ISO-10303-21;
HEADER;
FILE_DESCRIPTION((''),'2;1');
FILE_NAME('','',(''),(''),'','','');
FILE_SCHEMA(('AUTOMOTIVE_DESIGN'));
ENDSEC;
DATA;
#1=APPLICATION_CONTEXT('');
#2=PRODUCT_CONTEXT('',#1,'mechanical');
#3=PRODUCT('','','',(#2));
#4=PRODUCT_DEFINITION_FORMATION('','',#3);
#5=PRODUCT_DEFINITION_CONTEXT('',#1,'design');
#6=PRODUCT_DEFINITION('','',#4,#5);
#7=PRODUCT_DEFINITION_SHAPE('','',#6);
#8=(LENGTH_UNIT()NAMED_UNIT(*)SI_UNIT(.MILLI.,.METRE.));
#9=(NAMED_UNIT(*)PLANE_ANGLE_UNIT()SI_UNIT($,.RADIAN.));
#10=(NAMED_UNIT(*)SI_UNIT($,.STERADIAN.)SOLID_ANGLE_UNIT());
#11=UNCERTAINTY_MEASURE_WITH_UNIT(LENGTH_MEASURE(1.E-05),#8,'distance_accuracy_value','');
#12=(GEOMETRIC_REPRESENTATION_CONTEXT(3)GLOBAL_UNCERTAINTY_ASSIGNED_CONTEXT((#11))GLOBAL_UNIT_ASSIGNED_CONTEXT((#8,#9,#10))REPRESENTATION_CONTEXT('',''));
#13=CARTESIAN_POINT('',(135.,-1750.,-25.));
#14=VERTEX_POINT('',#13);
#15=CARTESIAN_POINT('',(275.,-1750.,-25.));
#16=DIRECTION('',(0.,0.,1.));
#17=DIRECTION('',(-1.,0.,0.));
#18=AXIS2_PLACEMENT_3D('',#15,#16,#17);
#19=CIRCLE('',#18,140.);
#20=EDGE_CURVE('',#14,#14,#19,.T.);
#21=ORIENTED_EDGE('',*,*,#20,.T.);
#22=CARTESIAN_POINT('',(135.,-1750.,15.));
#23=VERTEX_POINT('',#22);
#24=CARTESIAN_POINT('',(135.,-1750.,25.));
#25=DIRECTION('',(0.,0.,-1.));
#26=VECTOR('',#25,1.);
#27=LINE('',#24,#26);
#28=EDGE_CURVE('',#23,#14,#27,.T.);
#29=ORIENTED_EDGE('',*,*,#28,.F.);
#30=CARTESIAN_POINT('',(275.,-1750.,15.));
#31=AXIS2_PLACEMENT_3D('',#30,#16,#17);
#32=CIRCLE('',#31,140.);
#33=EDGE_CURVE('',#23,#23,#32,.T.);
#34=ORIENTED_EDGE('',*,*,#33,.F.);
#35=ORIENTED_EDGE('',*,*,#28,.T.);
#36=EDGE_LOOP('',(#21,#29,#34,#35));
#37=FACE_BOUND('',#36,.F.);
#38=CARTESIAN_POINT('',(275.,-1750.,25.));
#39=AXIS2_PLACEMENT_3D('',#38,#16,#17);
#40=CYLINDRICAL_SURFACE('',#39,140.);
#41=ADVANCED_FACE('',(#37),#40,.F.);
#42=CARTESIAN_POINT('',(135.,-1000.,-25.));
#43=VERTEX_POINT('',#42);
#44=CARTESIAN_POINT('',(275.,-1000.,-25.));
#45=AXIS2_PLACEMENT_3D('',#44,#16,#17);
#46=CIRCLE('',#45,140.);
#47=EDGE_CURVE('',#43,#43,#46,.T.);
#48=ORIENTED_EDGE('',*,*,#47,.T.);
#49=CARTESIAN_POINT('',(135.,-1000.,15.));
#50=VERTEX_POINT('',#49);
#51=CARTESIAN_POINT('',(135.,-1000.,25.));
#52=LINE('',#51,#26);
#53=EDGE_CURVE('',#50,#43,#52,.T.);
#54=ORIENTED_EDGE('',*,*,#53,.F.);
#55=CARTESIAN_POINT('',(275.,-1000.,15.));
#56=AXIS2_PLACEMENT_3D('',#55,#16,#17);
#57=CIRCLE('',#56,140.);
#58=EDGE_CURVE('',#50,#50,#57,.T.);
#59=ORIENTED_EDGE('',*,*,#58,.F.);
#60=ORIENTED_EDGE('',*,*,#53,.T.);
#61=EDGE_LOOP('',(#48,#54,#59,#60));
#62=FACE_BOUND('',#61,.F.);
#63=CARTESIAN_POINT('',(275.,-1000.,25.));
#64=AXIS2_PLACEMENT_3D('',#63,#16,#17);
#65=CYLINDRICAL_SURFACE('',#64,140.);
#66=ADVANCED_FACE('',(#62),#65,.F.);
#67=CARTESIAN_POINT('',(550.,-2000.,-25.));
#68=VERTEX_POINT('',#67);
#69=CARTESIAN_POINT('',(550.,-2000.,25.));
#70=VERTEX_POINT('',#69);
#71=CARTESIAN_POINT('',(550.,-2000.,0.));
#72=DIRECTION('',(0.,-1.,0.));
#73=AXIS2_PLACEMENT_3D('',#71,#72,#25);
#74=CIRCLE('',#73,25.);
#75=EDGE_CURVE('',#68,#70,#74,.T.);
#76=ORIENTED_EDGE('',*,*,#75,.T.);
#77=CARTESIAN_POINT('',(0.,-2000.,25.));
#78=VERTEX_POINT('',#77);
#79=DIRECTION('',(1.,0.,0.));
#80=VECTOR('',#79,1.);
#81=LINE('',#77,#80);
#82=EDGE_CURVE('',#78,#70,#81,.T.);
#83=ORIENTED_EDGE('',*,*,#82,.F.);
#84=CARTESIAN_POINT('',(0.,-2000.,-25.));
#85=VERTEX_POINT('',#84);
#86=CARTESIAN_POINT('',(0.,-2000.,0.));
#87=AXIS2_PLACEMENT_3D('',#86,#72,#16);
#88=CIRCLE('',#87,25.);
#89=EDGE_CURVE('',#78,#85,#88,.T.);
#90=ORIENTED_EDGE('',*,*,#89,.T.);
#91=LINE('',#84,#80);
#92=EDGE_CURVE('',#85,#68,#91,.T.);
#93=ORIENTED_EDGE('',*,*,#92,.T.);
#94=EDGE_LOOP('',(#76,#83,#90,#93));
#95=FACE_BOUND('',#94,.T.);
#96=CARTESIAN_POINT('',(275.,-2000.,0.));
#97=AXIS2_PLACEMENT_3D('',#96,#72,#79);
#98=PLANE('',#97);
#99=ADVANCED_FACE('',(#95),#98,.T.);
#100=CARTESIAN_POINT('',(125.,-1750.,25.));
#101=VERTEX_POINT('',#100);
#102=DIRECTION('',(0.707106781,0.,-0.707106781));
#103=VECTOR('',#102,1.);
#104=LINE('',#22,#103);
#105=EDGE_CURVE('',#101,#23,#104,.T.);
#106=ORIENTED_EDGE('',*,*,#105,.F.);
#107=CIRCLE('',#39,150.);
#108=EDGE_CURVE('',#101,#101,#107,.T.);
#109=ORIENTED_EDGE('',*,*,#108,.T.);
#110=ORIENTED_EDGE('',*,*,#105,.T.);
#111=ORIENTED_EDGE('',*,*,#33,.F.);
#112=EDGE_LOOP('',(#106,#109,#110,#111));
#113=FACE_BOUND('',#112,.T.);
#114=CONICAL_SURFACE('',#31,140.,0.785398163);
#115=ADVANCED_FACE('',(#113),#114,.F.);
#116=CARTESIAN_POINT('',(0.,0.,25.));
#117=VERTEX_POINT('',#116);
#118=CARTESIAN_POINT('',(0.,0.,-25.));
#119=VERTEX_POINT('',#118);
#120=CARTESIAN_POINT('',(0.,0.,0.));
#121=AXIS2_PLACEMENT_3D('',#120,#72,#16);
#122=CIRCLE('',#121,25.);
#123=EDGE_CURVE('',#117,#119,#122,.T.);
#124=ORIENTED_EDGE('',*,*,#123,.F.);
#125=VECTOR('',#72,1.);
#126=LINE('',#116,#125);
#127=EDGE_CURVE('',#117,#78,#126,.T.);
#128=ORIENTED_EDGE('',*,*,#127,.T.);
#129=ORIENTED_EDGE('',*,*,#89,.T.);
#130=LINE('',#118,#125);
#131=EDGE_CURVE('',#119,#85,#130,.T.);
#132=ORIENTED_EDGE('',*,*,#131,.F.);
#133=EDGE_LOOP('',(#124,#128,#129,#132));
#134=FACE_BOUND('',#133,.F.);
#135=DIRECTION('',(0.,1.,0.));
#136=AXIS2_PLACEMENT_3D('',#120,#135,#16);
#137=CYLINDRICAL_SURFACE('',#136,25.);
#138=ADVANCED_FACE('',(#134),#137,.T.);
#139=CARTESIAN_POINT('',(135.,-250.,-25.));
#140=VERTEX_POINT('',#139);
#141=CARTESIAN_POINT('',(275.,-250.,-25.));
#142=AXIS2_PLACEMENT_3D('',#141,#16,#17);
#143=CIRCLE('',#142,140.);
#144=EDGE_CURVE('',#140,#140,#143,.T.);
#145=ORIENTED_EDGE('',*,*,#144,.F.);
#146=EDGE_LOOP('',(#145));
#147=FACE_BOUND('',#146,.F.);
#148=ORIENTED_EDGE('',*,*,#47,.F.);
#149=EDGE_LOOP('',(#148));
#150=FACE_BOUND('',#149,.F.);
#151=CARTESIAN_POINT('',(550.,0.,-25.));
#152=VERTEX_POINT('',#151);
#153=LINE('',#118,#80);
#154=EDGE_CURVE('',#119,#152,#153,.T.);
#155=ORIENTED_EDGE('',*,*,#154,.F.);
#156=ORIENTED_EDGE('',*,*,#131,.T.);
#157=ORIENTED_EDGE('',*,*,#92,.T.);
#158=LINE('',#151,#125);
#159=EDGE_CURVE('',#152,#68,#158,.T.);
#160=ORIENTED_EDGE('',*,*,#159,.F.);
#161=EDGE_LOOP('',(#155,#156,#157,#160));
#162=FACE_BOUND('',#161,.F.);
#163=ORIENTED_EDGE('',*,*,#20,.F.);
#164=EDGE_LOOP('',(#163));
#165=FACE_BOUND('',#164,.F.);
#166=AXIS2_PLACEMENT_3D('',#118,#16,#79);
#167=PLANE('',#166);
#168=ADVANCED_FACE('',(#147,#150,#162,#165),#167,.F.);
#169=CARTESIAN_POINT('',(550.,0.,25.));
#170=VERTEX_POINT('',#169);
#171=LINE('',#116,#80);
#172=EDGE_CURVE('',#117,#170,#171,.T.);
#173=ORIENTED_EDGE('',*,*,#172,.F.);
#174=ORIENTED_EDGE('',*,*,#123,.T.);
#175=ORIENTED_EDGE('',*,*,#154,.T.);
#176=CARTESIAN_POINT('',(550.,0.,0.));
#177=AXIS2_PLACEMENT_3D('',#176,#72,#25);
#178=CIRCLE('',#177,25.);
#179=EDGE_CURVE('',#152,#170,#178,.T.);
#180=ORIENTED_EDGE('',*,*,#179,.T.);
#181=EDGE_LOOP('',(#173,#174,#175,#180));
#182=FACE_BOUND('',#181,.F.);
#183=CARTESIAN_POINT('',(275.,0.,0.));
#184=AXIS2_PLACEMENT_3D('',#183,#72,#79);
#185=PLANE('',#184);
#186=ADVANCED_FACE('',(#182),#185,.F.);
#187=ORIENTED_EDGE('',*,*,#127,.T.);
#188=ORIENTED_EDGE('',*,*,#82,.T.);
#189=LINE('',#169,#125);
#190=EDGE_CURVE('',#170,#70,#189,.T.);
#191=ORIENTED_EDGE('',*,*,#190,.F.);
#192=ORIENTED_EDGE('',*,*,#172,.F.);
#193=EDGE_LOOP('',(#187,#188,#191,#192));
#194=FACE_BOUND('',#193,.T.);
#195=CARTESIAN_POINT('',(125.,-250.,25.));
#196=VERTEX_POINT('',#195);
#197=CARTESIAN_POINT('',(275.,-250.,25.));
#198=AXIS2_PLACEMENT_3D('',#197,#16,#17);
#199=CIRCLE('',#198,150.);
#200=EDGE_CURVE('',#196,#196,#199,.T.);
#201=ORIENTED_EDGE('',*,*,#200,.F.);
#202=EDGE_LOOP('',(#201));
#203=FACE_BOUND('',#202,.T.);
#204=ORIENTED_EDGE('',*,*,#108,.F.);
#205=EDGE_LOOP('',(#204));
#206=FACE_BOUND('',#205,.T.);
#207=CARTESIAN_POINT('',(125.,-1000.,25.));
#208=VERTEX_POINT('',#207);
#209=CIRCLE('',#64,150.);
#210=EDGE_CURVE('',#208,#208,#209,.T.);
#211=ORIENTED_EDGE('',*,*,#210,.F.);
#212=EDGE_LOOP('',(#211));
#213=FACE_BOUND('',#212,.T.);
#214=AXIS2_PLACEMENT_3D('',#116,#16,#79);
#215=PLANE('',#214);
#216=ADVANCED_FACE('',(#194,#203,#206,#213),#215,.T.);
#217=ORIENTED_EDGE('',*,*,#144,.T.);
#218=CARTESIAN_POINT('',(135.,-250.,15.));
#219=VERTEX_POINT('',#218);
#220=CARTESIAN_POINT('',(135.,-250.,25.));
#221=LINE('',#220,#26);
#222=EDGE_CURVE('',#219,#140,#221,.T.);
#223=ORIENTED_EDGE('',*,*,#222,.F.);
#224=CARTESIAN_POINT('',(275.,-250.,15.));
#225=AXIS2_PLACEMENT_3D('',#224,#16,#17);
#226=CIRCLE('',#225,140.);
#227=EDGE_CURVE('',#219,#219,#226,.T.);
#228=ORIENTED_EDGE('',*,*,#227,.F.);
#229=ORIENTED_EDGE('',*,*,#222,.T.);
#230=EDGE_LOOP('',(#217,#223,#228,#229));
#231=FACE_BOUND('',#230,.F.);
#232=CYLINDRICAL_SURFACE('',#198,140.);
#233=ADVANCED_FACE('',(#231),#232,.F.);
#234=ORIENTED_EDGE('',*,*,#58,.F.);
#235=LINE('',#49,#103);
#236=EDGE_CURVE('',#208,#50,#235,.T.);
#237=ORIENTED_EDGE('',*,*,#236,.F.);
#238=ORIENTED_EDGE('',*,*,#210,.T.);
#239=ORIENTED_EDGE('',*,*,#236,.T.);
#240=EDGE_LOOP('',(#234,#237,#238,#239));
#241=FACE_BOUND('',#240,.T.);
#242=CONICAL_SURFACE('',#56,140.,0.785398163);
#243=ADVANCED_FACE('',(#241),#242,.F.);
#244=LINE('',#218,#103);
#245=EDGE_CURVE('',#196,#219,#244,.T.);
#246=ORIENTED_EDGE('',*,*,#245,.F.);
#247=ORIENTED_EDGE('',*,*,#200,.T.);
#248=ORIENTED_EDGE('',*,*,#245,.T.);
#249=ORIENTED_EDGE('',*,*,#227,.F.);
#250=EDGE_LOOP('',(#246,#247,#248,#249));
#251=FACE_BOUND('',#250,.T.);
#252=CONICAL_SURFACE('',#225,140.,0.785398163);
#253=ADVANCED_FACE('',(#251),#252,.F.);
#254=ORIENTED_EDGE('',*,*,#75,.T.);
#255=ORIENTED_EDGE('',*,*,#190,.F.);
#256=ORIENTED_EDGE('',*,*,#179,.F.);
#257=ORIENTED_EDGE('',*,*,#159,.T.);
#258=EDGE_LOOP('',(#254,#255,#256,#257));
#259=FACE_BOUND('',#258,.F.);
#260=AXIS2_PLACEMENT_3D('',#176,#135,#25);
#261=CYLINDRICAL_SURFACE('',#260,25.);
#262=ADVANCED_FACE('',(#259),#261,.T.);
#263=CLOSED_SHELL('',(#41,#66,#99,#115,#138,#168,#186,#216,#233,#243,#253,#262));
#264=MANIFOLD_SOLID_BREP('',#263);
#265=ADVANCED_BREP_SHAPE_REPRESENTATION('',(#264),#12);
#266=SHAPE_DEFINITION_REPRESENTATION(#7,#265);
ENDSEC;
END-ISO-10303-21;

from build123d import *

# Parameters (mm, degrees)
PAD_DEPTH    = 2000
SKETCH001_R  = 140
POCKET_DEPTH = 50.001
CHAMFER_SIZE = 10


with BuildPart() as part:
    # Sketch → Pad (new body)
    with BuildSketch(Plane.XZ):
        with BuildLine():
            ThreePointArc((0, 25), (-25, 0), (0, -25))
            Line((0, -25), (550, -25))
            ThreePointArc((550, -25), (575, 0), (550, 25))
            Line((0, 25), (550, 25))
        make_face()
    extrude(amount=PAD_DEPTH)

    # Sketch001 (on Face4 of Pad) → Pocket (cut, through all)
    with BuildSketch(Plane(origin=(0, 0, 25), x_dir=(-1, 0, 0), z_dir=(0, 0, 1))):
        with Locations((-275, 1750)):
            Circle(SKETCH001_R)
        with Locations((-275, 1000)):
            Circle(SKETCH001_R)
        with Locations((-275, 250)):
            Circle(SKETCH001_R)
    extrude(amount=-POCKET_DEPTH, mode=Mode.SUBTRACT)

    # Chamfer
    chamfer_edges = [part.edges().sort_by_distance(p)[0] for p in [
        (415, -1750, 25),
        (415, -1000, 25),
        (415, -250, 25),
    ]]
    chamfer(chamfer_edges, length=CHAMFER_SIZE)


solid = part.part
